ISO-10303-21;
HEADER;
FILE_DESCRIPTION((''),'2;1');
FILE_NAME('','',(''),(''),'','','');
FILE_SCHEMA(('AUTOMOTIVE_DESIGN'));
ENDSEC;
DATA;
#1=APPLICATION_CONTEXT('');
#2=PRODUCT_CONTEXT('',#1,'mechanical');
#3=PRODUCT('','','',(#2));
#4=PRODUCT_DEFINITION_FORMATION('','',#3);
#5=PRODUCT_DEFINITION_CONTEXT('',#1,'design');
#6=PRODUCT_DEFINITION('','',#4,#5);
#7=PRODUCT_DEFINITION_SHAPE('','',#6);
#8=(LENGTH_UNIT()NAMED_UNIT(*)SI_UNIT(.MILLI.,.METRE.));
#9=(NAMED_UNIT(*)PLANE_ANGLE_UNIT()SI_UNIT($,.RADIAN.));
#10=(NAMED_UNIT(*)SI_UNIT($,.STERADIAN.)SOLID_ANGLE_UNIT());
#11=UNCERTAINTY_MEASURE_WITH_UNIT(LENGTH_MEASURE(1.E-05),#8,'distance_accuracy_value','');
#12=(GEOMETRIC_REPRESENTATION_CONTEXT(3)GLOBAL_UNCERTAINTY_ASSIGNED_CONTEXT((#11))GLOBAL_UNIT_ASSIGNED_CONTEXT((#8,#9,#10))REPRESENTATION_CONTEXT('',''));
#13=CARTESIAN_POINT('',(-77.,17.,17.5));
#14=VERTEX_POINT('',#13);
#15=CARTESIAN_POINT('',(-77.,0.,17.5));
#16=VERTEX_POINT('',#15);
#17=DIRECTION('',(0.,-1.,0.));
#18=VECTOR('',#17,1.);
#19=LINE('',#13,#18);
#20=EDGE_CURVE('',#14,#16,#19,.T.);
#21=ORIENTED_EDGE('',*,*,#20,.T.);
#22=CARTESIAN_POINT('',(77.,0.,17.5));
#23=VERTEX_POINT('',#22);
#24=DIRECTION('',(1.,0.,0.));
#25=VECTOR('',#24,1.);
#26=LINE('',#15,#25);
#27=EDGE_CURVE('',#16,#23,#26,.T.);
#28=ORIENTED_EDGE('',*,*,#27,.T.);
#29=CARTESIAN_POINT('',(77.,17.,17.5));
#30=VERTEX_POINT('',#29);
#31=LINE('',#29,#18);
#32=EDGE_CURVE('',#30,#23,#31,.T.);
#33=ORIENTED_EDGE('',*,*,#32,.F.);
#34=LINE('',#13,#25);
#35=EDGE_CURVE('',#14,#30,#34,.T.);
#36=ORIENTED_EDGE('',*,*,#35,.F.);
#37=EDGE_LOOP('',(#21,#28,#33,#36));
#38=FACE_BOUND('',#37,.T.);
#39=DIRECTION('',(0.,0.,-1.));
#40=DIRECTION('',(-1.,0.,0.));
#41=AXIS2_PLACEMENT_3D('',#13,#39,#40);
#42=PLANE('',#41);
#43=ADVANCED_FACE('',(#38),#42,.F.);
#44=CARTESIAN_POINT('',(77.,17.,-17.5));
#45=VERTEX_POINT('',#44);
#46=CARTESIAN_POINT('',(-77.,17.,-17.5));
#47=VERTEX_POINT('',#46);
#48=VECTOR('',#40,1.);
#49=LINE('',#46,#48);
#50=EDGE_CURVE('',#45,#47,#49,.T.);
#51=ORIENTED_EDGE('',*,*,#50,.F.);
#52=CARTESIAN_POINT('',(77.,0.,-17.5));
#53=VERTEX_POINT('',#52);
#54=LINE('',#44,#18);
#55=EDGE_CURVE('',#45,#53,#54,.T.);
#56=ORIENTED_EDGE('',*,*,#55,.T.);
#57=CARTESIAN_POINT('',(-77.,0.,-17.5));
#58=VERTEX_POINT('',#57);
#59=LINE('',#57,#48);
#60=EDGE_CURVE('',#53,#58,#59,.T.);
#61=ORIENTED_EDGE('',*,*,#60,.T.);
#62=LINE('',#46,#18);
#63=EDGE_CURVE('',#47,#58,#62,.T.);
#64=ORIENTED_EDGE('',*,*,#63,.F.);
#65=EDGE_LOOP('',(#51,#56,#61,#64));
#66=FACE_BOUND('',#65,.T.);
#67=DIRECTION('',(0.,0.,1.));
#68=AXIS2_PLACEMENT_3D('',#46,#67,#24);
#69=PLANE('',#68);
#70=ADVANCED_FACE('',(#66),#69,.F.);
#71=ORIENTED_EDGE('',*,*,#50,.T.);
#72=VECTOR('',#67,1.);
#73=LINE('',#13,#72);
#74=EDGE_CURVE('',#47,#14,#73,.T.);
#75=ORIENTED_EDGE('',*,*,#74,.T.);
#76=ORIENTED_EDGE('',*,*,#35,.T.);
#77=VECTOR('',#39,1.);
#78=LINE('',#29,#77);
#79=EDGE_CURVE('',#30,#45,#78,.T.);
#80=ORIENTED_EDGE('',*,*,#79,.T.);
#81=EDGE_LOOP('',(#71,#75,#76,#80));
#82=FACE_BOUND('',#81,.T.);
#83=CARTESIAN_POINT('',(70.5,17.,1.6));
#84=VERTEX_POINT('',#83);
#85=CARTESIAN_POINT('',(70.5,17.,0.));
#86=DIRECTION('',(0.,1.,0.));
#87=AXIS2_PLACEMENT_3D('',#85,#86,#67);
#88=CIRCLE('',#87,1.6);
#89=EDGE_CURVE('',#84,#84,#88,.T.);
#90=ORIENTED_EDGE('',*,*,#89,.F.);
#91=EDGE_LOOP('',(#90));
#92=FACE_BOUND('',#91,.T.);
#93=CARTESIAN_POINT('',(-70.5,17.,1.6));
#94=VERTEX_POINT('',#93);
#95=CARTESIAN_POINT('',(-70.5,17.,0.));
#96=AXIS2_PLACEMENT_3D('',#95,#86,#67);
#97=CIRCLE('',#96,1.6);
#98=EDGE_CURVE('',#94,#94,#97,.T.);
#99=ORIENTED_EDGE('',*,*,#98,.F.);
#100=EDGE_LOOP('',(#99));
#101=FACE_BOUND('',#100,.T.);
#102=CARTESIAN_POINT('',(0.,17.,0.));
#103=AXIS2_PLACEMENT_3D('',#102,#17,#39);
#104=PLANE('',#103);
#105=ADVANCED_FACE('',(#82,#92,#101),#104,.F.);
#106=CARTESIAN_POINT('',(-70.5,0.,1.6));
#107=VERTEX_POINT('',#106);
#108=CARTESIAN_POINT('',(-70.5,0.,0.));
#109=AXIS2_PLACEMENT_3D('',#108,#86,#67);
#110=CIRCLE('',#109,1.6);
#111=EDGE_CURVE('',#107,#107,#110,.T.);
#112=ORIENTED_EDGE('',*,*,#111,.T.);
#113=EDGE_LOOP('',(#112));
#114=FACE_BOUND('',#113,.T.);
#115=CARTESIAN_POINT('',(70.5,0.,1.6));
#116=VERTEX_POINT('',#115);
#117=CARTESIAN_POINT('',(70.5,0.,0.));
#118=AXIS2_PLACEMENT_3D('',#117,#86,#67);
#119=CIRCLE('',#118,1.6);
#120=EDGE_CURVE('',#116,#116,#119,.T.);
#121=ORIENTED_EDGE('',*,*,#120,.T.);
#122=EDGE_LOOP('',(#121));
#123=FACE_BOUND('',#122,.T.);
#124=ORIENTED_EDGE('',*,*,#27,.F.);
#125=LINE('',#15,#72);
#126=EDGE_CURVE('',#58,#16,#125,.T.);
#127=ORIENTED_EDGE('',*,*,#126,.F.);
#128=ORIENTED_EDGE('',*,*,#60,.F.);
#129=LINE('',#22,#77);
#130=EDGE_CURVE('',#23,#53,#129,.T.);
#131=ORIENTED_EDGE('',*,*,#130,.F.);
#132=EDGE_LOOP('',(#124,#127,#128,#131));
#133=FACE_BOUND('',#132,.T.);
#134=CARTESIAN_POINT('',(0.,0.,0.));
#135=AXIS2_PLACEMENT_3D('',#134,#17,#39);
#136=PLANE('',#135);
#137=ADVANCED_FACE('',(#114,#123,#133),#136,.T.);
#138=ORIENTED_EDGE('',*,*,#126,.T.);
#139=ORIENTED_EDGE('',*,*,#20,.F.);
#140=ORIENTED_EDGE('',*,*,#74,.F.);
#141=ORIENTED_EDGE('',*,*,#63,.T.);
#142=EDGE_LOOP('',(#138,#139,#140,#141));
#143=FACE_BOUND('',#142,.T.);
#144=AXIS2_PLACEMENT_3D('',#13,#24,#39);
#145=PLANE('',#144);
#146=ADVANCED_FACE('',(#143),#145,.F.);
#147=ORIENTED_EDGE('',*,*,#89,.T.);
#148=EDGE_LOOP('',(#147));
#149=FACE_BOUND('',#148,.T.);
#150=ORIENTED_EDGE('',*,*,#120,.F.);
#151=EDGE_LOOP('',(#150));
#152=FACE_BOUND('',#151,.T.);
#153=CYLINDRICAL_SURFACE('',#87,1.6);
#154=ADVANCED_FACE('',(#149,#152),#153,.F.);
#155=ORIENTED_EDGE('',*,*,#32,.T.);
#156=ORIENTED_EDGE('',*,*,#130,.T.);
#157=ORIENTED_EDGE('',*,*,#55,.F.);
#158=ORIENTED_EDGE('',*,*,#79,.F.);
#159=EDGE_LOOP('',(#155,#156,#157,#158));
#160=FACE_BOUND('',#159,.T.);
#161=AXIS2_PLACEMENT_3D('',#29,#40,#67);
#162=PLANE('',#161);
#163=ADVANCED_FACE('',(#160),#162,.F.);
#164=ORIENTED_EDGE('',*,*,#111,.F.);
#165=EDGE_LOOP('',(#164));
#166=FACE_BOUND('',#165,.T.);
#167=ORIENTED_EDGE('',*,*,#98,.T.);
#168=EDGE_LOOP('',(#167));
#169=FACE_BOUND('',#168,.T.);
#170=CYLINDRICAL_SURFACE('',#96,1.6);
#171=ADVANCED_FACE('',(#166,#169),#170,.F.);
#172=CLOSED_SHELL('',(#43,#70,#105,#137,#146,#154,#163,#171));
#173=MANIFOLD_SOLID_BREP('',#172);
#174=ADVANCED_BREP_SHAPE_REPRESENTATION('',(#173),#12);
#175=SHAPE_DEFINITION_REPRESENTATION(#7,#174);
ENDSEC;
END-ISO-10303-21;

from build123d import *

# Parameters (mm, degrees)
SKETCH1_W            = 154
SKETCH1_H            = 35
BOSS_EXTRUDE1_DEPTH  = 17
M3_CLEARANCE_HOLE1_D = 3.2


with BuildPart() as part:
    # Sketch1 → Boss-Extrude1 (new body)
    with BuildSketch(Plane(origin=(0, 0, 0), x_dir=(1, 0, 0), z_dir=(0, 1, 0))):
        Rectangle(SKETCH1_W, SKETCH1_H)
    extrude(amount=BOSS_EXTRUDE1_DEPTH)

    # M3 Clearance Hole1 (through all)
    with Locations(Plane(origin=(0, 17, 0), x_dir=(1, 0, 0), z_dir=(0, 1, 0))):
        with Locations((-70.5, 0), (70.5, 0)):
            Hole(M3_CLEARANCE_HOLE1_D / 2)


solid = part.part
